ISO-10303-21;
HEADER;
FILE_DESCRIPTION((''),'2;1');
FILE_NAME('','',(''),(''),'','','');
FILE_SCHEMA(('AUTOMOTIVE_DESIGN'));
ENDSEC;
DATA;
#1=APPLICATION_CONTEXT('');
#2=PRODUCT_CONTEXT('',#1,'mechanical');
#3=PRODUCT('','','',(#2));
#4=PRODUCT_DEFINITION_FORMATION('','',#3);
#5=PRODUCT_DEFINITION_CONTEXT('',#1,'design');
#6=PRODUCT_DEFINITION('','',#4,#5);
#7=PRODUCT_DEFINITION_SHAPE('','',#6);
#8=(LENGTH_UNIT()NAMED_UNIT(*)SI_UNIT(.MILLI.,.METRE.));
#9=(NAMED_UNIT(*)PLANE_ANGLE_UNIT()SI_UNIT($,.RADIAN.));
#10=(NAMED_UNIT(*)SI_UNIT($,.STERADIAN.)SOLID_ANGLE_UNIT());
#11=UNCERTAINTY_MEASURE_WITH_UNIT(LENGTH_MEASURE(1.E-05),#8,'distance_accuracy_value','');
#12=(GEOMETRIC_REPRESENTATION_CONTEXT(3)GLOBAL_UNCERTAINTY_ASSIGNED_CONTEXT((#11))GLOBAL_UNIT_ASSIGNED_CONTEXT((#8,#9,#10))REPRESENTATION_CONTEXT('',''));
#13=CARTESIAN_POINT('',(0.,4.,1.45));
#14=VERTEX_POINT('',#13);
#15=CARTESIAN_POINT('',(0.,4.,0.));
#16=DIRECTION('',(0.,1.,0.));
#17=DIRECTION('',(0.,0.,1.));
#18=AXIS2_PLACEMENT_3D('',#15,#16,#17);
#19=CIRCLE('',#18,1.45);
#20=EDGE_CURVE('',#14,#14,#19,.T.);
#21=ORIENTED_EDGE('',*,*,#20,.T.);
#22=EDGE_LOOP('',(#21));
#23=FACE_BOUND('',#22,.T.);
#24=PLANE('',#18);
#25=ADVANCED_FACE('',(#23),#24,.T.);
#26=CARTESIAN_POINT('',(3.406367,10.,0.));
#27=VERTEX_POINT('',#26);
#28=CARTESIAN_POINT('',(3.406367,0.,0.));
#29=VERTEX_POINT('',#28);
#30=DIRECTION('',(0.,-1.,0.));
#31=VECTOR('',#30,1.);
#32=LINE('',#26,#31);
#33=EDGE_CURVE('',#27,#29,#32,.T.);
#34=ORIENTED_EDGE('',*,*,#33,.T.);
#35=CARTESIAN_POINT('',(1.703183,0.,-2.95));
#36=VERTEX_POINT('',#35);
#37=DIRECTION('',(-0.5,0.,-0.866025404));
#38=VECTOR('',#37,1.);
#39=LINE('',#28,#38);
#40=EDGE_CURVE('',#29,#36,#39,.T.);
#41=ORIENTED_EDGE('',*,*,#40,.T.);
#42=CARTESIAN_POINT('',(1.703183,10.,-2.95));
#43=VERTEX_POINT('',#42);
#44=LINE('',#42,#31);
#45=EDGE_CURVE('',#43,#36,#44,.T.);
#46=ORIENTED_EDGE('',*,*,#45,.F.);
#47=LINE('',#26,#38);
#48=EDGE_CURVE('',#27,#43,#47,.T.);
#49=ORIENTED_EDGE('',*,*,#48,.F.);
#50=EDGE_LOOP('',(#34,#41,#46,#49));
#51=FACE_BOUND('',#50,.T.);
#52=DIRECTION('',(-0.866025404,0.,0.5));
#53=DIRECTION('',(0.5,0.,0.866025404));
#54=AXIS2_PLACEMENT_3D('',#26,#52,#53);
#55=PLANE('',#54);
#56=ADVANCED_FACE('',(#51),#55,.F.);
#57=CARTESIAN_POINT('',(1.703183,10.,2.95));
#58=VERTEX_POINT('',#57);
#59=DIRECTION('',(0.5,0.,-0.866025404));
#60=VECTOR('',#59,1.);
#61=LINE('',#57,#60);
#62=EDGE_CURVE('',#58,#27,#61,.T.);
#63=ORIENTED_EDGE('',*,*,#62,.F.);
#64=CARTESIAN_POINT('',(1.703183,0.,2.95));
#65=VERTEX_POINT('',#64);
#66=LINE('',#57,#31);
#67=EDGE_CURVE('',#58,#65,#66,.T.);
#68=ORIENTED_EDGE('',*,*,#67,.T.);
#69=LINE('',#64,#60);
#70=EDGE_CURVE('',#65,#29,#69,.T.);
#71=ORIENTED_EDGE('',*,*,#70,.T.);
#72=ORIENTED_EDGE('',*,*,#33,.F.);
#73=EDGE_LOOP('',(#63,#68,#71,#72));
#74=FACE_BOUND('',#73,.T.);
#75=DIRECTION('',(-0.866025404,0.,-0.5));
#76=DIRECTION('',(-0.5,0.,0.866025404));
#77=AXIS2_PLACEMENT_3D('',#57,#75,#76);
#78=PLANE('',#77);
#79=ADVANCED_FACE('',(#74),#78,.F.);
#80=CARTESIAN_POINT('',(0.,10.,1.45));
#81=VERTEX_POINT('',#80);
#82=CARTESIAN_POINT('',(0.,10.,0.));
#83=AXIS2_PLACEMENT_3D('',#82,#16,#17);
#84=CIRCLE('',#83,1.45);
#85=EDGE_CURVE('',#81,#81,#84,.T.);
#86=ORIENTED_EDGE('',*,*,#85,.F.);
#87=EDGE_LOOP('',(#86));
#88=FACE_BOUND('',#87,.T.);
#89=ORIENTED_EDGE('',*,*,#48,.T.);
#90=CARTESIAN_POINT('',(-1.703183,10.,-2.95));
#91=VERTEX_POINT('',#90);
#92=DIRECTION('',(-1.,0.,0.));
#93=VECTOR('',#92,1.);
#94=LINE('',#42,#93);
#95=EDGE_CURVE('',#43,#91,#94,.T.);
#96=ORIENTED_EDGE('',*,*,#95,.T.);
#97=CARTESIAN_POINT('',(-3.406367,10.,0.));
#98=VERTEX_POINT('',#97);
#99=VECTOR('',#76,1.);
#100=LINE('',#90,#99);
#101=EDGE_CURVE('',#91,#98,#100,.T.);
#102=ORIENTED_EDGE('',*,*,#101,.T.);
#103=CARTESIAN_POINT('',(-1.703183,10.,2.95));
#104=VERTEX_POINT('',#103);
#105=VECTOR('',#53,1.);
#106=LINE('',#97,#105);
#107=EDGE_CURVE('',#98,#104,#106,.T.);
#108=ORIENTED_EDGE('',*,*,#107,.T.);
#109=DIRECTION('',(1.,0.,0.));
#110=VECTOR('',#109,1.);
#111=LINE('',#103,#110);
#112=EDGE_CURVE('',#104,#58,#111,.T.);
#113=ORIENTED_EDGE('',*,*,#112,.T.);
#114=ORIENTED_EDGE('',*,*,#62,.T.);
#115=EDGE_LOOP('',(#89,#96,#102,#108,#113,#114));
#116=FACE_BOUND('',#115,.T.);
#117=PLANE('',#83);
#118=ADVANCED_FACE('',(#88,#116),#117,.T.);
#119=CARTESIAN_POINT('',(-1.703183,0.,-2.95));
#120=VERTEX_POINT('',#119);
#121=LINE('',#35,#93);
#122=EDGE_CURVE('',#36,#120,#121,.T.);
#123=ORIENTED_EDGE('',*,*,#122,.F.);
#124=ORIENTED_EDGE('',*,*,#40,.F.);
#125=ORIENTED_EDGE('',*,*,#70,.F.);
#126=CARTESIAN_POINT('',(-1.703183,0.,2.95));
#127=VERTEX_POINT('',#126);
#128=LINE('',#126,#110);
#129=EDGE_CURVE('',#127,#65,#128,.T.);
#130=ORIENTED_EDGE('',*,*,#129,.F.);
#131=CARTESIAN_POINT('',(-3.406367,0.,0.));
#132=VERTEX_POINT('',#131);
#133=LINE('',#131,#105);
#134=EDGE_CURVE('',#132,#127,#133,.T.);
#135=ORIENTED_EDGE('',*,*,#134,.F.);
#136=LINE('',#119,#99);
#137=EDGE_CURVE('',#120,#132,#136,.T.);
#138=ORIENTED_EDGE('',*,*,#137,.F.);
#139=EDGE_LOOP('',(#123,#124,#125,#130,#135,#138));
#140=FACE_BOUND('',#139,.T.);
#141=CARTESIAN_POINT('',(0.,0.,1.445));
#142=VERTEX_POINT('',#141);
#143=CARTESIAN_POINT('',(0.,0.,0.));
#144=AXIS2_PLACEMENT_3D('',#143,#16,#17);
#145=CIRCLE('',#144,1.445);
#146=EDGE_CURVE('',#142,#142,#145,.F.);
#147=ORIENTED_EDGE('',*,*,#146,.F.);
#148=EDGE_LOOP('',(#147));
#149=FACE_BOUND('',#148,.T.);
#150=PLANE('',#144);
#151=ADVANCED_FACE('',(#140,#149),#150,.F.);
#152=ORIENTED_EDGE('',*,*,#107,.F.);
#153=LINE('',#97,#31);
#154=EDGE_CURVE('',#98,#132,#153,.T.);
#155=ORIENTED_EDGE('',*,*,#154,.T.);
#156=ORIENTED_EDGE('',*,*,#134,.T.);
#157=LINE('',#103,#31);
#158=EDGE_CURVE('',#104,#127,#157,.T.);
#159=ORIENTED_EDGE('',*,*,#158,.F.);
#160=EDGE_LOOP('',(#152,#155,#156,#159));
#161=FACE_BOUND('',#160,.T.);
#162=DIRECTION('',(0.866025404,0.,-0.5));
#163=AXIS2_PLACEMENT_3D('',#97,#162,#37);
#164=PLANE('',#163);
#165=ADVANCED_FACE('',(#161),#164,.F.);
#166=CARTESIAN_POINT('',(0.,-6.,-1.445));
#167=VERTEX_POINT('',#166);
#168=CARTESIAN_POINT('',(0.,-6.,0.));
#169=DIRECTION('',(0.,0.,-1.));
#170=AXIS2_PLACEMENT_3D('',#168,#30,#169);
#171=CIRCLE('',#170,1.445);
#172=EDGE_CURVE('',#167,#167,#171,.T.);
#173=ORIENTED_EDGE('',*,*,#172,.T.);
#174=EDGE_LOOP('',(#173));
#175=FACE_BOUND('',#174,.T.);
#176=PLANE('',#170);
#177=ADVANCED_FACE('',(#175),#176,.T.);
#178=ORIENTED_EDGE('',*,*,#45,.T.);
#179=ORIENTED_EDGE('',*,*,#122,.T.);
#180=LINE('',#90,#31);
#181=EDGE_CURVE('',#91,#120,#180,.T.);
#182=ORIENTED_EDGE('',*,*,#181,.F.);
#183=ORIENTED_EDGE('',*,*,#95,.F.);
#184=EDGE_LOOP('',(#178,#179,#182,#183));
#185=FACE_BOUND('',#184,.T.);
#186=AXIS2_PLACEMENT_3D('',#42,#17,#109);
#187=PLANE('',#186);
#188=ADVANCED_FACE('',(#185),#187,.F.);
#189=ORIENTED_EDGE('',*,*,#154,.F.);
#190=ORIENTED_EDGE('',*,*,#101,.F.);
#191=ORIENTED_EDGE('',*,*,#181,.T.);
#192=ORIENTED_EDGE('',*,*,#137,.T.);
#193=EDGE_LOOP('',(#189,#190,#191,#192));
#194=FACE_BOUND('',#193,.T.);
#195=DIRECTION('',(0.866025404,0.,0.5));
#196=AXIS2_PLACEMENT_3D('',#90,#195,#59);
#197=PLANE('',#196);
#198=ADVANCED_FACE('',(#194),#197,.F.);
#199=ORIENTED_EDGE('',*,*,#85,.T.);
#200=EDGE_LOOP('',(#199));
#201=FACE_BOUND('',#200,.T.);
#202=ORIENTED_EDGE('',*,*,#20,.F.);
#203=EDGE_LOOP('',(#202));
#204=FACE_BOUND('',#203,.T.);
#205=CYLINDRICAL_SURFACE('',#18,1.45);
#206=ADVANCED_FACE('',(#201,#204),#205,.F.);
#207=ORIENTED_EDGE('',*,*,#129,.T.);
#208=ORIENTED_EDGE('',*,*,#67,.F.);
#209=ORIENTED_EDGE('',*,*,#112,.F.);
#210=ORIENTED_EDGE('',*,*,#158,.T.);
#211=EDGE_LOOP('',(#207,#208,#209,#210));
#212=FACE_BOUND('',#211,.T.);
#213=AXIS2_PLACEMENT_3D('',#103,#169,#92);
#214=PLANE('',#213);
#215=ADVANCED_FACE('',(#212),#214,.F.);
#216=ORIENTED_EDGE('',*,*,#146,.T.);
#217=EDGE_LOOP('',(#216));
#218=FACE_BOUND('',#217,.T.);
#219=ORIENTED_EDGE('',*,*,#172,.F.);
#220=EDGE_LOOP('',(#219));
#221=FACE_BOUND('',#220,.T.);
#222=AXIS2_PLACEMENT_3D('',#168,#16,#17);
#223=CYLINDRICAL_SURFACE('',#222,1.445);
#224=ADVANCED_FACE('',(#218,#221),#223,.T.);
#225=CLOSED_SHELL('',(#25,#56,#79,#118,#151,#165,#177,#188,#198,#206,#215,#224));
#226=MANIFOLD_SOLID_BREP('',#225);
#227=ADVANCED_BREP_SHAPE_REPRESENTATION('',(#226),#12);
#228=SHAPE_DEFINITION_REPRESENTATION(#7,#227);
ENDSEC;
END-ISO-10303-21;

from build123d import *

# Parameters (mm, degrees)
BOSS_EXTRUDE1_DEPTH = 10
SKETCH2_R           = 1.445
BOSS_EXTRUDE2_DEPTH = 6
SKETCH4_R           = 1.45
CUT_EXTRUDE1_DEPTH  = 6


with BuildPart() as part:
    # Sketch1 → Boss-Extrude1 (new body)
    with BuildSketch(Plane(origin=(0, 0, 0), x_dir=(1, 0, 0), z_dir=(0, 1, 0))):
        Polygon((3.406366588, 0), (1.703183294, 2.95), (-1.703183294, 2.95), (-3.406366588, 0), (-1.703183294, -2.95), (1.703183294, -2.95), align=None)
    extrude(amount=BOSS_EXTRUDE1_DEPTH)

    # Sketch2 → Boss-Extrude2 (add)
    with BuildSketch(Plane.XZ):
        with Locations(Location((0, 0, 0), (0, 0, 90))):
            Circle(SKETCH2_R)
    extrude(amount=BOSS_EXTRUDE2_DEPTH)

    # Sketch4 → Cut-Extrude1 (cut)
    with BuildSketch(Plane(origin=(0, 10, 0), x_dir=(1, 0, 0), z_dir=(0, 1, 0))):
        with Locations(Location((0, 0, 0), (0, 0, 270))):
            Circle(SKETCH4_R)
    extrude(amount=-CUT_EXTRUDE1_DEPTH, mode=Mode.SUBTRACT)


solid = part.part
